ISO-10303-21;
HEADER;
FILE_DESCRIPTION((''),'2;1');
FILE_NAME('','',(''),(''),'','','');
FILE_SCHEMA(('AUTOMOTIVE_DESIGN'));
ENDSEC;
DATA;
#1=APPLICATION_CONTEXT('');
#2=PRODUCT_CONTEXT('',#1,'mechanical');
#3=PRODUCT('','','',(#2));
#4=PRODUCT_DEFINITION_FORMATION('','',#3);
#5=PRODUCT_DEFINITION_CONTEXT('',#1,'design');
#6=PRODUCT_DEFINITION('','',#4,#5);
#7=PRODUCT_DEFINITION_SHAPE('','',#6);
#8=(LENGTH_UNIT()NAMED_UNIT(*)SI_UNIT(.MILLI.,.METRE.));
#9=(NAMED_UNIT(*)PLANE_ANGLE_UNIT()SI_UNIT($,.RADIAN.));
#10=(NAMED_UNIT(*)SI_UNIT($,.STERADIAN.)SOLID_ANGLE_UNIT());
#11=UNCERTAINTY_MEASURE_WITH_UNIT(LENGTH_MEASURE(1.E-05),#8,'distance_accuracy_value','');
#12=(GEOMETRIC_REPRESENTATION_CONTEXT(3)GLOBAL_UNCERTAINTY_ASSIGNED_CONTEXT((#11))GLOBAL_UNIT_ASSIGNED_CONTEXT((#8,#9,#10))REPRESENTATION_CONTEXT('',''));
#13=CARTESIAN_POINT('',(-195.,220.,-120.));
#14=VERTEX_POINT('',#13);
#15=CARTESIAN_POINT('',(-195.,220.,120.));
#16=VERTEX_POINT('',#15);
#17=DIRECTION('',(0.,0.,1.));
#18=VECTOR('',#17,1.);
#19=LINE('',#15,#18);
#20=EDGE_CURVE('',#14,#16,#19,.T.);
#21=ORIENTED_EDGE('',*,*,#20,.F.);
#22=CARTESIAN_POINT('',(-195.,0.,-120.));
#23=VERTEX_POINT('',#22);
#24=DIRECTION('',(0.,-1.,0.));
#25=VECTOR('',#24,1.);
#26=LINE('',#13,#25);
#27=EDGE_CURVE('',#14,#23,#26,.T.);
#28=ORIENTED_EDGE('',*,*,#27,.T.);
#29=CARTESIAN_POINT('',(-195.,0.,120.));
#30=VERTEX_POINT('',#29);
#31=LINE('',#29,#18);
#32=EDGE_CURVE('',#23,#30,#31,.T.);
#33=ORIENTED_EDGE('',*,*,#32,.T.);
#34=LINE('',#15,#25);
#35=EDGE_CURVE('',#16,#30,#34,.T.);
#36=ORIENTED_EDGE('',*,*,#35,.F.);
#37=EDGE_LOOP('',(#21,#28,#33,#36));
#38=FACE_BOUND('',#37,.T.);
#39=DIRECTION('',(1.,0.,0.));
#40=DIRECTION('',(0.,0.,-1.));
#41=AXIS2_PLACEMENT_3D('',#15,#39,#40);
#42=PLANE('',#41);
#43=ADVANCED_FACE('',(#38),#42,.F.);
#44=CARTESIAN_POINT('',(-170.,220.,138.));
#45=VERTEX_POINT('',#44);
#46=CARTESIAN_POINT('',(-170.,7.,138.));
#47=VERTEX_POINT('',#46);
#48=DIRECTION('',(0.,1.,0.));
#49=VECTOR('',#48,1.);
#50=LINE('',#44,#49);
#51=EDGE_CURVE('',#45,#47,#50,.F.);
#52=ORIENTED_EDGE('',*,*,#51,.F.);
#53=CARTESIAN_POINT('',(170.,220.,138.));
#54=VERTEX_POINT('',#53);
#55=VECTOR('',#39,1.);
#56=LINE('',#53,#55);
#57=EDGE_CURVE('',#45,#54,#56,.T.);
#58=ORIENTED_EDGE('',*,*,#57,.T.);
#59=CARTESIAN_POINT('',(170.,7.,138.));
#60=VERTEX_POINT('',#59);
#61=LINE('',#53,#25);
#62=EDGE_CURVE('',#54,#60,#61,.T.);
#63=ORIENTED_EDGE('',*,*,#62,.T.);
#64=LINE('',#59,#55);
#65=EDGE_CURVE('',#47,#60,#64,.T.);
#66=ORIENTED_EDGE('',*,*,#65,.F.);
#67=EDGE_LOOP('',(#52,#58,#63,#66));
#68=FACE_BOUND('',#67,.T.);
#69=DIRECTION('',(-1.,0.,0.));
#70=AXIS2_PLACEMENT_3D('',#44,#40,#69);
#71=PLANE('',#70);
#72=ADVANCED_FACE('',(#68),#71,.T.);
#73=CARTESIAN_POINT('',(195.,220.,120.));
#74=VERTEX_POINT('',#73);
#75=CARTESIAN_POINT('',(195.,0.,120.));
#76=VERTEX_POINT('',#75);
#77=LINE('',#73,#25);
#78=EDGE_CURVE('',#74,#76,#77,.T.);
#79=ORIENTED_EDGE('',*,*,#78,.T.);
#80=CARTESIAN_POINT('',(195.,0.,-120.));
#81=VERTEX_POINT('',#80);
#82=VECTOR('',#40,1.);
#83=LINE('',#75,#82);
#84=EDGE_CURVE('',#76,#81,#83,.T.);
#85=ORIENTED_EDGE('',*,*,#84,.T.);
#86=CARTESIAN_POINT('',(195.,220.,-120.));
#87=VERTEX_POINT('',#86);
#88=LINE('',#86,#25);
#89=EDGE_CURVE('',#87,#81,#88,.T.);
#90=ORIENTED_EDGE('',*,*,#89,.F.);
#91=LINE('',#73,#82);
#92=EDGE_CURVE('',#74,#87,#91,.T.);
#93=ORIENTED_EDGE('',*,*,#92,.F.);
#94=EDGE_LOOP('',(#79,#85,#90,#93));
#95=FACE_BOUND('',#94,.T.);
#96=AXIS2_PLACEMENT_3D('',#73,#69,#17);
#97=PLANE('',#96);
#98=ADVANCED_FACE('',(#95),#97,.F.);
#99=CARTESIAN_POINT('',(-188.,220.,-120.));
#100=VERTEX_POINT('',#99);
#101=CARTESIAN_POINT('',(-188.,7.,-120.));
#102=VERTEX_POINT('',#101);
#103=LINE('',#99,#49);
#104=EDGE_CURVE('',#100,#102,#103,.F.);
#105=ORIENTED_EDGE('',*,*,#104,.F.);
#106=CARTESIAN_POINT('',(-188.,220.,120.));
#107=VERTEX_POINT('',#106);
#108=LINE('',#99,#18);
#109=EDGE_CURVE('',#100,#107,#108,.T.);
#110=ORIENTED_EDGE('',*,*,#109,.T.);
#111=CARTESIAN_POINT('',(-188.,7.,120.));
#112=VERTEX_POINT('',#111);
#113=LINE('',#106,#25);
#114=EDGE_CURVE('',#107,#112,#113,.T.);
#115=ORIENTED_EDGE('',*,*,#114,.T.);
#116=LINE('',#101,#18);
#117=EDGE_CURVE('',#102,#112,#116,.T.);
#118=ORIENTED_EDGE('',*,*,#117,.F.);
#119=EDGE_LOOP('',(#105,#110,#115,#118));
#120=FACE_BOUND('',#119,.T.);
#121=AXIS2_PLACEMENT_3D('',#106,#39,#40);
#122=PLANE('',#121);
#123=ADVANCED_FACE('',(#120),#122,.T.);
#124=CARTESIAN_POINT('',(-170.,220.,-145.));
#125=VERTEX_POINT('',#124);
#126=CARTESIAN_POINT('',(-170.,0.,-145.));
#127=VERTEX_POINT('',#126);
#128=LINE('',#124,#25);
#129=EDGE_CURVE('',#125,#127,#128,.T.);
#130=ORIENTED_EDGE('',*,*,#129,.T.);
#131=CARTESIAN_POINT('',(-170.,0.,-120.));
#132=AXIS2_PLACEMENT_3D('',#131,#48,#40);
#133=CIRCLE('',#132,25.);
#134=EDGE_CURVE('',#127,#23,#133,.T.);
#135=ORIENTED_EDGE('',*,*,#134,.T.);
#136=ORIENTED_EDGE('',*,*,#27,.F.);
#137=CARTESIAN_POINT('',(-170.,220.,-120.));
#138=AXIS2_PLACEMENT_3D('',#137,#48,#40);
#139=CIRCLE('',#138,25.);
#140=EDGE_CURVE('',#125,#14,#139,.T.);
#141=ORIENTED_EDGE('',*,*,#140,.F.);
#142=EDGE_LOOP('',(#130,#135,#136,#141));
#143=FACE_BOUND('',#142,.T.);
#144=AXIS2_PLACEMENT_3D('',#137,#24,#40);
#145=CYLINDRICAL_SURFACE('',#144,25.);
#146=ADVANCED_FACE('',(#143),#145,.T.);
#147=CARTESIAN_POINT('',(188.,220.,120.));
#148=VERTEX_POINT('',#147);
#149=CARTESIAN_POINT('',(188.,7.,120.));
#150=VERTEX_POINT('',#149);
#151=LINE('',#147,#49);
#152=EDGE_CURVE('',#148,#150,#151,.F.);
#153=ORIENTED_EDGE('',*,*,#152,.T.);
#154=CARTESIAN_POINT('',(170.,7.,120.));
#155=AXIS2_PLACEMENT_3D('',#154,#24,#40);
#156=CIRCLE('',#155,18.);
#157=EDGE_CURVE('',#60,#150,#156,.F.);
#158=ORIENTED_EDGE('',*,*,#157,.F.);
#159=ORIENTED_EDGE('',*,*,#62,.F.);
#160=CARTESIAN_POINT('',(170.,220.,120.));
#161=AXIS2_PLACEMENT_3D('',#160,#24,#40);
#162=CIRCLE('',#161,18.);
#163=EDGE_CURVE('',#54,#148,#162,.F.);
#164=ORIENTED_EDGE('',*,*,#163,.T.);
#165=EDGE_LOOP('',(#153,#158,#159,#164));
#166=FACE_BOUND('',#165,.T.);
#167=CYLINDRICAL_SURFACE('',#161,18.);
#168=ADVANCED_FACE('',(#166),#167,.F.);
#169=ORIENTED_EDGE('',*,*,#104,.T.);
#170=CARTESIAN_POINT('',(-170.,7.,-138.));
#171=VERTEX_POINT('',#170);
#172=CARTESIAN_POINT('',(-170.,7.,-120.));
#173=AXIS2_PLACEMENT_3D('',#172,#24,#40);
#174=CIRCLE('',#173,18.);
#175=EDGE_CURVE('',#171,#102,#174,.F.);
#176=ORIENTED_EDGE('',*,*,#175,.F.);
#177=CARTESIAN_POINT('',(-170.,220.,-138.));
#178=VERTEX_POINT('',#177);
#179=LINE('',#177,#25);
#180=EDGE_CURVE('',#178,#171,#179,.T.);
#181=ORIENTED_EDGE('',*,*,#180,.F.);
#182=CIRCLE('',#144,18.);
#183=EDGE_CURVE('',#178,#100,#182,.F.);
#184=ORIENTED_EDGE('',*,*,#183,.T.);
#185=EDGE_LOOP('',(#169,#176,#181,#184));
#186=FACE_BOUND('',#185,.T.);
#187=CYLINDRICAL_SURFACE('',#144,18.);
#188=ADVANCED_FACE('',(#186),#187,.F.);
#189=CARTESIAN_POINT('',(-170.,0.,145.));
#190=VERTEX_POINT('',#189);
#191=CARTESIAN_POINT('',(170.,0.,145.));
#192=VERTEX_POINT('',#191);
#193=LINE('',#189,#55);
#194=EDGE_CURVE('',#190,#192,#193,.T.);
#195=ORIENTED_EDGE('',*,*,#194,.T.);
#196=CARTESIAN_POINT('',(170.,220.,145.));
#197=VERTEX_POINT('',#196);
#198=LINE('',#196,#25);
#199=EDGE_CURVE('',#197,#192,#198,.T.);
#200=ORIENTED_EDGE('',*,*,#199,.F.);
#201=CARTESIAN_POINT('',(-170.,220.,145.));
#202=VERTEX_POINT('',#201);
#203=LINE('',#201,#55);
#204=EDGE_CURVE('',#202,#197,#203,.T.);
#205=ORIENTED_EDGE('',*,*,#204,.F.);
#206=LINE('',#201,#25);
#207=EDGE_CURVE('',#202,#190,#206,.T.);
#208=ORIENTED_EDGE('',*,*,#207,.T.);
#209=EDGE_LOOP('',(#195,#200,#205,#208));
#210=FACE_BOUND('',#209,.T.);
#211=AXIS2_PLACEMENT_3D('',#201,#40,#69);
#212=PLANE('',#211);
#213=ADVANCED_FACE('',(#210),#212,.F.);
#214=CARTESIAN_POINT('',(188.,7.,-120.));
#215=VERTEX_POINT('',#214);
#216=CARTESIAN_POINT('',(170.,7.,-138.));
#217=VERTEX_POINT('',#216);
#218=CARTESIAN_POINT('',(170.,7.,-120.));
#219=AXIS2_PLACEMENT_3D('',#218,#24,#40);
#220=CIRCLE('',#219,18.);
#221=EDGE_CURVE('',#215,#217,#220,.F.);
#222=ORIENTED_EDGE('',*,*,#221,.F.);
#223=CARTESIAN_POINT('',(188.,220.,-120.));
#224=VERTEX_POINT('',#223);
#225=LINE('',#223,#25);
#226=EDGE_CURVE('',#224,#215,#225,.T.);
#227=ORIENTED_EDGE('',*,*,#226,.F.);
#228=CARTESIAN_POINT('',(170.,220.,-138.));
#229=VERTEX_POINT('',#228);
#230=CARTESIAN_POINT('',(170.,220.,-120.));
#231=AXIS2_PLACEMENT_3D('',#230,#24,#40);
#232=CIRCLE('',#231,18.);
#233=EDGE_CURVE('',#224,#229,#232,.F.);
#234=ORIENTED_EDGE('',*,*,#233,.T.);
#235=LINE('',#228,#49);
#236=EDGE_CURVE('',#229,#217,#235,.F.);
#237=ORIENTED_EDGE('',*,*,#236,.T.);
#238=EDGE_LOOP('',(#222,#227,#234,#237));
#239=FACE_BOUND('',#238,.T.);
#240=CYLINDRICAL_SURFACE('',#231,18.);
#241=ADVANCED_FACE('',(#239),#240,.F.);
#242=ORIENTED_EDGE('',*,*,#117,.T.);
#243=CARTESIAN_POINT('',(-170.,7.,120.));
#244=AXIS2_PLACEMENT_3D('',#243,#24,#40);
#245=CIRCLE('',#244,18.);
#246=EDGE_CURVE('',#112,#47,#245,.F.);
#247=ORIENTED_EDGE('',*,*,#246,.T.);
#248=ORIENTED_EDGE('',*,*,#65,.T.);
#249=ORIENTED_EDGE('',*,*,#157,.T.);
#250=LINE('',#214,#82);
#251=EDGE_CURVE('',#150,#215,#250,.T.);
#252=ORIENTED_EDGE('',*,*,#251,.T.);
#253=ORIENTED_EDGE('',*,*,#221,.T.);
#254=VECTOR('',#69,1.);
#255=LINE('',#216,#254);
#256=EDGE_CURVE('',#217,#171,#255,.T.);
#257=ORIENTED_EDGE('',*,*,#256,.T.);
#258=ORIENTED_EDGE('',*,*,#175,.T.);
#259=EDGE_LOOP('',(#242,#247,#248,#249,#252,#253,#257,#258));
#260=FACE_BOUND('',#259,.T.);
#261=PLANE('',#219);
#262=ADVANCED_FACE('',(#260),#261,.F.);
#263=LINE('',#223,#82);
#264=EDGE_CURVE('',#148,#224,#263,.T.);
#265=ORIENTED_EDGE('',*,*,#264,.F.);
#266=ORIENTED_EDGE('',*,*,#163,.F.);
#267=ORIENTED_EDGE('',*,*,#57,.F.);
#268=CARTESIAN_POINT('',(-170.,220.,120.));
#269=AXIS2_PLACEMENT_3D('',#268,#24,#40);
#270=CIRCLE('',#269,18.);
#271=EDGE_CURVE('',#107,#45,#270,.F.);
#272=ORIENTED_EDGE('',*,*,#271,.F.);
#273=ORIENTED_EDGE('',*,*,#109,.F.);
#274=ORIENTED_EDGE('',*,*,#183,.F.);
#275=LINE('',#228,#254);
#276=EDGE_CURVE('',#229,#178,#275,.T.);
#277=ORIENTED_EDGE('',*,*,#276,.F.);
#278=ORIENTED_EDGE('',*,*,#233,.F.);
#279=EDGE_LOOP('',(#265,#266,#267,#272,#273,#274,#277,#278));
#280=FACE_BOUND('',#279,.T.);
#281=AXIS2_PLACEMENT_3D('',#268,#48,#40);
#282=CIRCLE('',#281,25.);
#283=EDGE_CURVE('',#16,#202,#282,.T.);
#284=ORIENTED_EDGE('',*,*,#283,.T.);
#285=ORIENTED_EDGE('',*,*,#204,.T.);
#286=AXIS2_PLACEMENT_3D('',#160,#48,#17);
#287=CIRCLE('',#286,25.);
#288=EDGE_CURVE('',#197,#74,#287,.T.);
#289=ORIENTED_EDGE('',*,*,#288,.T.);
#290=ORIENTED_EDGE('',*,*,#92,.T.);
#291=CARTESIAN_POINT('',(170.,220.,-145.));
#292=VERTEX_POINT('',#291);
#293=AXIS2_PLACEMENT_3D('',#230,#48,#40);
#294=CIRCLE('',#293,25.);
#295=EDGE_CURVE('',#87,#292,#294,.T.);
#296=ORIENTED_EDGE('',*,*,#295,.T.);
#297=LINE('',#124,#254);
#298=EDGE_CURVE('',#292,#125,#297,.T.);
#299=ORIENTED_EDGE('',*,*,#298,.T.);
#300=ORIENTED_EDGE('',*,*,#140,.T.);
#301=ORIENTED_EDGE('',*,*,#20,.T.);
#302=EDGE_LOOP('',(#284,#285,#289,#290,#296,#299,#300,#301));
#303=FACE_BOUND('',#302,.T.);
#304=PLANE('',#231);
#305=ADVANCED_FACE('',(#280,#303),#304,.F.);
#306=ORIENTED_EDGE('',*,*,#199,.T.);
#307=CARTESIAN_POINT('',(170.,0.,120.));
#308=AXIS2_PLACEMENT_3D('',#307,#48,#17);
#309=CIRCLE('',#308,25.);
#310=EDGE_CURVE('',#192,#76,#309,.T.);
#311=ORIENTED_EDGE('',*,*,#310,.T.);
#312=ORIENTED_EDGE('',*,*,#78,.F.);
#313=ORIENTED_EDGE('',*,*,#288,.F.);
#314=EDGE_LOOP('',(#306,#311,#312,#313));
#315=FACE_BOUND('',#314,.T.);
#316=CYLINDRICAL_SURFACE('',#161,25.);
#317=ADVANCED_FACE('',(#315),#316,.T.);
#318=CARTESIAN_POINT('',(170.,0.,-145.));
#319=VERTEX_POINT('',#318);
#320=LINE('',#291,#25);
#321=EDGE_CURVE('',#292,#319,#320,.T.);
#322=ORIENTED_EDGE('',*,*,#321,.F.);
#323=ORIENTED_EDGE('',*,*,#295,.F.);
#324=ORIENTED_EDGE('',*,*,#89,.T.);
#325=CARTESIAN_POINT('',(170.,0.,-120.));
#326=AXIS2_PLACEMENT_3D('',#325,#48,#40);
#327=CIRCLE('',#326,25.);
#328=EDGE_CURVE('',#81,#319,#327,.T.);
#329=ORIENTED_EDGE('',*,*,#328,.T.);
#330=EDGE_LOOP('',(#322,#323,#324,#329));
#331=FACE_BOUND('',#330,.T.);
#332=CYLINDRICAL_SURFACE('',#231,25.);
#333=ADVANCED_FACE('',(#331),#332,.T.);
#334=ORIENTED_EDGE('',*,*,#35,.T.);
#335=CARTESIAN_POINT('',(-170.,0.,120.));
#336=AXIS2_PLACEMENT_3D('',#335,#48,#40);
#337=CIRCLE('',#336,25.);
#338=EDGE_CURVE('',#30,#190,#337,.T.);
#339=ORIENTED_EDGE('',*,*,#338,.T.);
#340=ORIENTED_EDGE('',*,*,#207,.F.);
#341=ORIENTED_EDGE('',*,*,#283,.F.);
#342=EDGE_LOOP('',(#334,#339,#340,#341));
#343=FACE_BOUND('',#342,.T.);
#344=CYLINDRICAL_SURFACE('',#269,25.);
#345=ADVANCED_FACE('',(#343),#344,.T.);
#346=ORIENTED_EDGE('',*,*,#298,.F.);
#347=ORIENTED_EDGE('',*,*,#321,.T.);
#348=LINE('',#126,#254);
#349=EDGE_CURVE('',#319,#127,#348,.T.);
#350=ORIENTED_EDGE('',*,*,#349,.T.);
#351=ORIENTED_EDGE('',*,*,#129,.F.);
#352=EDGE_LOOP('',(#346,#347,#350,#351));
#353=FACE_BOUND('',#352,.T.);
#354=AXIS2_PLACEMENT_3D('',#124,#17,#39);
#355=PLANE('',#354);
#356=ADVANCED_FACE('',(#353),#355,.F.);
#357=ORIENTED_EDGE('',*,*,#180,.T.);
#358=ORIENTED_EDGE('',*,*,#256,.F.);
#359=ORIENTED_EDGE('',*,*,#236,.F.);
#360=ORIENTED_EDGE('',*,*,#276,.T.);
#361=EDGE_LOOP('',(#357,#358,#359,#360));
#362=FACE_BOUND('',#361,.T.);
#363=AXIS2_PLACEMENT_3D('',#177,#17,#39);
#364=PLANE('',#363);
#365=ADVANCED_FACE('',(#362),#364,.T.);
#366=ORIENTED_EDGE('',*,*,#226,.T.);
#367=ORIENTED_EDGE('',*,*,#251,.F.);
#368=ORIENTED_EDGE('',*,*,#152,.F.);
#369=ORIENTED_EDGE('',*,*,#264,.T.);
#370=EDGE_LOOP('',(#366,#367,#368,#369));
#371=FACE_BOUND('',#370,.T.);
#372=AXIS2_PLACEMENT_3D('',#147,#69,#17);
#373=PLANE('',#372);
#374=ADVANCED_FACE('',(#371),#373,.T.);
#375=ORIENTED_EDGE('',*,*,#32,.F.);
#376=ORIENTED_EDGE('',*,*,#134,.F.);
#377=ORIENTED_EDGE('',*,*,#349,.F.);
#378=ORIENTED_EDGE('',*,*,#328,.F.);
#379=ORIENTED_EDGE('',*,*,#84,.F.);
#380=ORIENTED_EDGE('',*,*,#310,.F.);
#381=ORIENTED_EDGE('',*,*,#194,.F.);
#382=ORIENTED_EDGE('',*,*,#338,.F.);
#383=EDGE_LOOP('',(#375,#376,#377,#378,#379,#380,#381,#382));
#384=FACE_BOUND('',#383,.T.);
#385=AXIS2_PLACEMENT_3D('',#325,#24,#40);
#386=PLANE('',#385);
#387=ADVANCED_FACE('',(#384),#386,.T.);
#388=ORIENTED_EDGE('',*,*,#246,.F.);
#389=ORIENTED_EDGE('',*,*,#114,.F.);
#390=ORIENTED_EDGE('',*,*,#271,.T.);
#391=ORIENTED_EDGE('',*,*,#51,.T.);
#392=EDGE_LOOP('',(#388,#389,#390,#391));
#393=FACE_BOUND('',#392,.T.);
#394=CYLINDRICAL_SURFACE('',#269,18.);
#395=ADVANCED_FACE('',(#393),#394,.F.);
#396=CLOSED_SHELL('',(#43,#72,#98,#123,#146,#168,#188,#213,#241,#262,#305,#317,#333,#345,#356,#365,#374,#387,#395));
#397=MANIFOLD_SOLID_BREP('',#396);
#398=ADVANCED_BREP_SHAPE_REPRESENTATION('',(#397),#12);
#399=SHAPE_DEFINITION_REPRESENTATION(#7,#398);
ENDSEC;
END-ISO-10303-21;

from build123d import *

# Parameters (mm, degrees)
BOSS_EXTRUDE1_DEPTH = 220
SHELL1_T            = -7


with BuildPart() as part:
    # Sketch1 → Boss-Extrude1 (new body)
    with BuildSketch(Plane(origin=(0, 0, 0), x_dir=(1, 0, 0), z_dir=(0, 1, 0))):
        with BuildLine():
            Line((-170, -145), (170, -145))
            ThreePointArc((170, -145), (187.67766953, -137.67766953), (195, -120))
            Line((195, -120), (195, 120))
            ThreePointArc((195, 120), (187.67766953, 137.67766953), (170, 145))
            Line((170, 145), (-170, 145))
            ThreePointArc((-170, 145), (-187.67766953, 137.67766953), (-195, 120))
            Line((-195, 120), (-195, -120))
            ThreePointArc((-195, -120), (-187.67766953, -137.67766953), (-170, -145))
        make_face()
    extrude(amount=BOSS_EXTRUDE1_DEPTH)

    # Shell1
    shell1_openings = [part.faces().sort_by_distance(p)[0] for p in [
        (0, 220, 0),
    ]]
    offset(amount=SHELL1_T, openings=shell1_openings, kind=Kind.INTERSECTION)


solid = part.part
